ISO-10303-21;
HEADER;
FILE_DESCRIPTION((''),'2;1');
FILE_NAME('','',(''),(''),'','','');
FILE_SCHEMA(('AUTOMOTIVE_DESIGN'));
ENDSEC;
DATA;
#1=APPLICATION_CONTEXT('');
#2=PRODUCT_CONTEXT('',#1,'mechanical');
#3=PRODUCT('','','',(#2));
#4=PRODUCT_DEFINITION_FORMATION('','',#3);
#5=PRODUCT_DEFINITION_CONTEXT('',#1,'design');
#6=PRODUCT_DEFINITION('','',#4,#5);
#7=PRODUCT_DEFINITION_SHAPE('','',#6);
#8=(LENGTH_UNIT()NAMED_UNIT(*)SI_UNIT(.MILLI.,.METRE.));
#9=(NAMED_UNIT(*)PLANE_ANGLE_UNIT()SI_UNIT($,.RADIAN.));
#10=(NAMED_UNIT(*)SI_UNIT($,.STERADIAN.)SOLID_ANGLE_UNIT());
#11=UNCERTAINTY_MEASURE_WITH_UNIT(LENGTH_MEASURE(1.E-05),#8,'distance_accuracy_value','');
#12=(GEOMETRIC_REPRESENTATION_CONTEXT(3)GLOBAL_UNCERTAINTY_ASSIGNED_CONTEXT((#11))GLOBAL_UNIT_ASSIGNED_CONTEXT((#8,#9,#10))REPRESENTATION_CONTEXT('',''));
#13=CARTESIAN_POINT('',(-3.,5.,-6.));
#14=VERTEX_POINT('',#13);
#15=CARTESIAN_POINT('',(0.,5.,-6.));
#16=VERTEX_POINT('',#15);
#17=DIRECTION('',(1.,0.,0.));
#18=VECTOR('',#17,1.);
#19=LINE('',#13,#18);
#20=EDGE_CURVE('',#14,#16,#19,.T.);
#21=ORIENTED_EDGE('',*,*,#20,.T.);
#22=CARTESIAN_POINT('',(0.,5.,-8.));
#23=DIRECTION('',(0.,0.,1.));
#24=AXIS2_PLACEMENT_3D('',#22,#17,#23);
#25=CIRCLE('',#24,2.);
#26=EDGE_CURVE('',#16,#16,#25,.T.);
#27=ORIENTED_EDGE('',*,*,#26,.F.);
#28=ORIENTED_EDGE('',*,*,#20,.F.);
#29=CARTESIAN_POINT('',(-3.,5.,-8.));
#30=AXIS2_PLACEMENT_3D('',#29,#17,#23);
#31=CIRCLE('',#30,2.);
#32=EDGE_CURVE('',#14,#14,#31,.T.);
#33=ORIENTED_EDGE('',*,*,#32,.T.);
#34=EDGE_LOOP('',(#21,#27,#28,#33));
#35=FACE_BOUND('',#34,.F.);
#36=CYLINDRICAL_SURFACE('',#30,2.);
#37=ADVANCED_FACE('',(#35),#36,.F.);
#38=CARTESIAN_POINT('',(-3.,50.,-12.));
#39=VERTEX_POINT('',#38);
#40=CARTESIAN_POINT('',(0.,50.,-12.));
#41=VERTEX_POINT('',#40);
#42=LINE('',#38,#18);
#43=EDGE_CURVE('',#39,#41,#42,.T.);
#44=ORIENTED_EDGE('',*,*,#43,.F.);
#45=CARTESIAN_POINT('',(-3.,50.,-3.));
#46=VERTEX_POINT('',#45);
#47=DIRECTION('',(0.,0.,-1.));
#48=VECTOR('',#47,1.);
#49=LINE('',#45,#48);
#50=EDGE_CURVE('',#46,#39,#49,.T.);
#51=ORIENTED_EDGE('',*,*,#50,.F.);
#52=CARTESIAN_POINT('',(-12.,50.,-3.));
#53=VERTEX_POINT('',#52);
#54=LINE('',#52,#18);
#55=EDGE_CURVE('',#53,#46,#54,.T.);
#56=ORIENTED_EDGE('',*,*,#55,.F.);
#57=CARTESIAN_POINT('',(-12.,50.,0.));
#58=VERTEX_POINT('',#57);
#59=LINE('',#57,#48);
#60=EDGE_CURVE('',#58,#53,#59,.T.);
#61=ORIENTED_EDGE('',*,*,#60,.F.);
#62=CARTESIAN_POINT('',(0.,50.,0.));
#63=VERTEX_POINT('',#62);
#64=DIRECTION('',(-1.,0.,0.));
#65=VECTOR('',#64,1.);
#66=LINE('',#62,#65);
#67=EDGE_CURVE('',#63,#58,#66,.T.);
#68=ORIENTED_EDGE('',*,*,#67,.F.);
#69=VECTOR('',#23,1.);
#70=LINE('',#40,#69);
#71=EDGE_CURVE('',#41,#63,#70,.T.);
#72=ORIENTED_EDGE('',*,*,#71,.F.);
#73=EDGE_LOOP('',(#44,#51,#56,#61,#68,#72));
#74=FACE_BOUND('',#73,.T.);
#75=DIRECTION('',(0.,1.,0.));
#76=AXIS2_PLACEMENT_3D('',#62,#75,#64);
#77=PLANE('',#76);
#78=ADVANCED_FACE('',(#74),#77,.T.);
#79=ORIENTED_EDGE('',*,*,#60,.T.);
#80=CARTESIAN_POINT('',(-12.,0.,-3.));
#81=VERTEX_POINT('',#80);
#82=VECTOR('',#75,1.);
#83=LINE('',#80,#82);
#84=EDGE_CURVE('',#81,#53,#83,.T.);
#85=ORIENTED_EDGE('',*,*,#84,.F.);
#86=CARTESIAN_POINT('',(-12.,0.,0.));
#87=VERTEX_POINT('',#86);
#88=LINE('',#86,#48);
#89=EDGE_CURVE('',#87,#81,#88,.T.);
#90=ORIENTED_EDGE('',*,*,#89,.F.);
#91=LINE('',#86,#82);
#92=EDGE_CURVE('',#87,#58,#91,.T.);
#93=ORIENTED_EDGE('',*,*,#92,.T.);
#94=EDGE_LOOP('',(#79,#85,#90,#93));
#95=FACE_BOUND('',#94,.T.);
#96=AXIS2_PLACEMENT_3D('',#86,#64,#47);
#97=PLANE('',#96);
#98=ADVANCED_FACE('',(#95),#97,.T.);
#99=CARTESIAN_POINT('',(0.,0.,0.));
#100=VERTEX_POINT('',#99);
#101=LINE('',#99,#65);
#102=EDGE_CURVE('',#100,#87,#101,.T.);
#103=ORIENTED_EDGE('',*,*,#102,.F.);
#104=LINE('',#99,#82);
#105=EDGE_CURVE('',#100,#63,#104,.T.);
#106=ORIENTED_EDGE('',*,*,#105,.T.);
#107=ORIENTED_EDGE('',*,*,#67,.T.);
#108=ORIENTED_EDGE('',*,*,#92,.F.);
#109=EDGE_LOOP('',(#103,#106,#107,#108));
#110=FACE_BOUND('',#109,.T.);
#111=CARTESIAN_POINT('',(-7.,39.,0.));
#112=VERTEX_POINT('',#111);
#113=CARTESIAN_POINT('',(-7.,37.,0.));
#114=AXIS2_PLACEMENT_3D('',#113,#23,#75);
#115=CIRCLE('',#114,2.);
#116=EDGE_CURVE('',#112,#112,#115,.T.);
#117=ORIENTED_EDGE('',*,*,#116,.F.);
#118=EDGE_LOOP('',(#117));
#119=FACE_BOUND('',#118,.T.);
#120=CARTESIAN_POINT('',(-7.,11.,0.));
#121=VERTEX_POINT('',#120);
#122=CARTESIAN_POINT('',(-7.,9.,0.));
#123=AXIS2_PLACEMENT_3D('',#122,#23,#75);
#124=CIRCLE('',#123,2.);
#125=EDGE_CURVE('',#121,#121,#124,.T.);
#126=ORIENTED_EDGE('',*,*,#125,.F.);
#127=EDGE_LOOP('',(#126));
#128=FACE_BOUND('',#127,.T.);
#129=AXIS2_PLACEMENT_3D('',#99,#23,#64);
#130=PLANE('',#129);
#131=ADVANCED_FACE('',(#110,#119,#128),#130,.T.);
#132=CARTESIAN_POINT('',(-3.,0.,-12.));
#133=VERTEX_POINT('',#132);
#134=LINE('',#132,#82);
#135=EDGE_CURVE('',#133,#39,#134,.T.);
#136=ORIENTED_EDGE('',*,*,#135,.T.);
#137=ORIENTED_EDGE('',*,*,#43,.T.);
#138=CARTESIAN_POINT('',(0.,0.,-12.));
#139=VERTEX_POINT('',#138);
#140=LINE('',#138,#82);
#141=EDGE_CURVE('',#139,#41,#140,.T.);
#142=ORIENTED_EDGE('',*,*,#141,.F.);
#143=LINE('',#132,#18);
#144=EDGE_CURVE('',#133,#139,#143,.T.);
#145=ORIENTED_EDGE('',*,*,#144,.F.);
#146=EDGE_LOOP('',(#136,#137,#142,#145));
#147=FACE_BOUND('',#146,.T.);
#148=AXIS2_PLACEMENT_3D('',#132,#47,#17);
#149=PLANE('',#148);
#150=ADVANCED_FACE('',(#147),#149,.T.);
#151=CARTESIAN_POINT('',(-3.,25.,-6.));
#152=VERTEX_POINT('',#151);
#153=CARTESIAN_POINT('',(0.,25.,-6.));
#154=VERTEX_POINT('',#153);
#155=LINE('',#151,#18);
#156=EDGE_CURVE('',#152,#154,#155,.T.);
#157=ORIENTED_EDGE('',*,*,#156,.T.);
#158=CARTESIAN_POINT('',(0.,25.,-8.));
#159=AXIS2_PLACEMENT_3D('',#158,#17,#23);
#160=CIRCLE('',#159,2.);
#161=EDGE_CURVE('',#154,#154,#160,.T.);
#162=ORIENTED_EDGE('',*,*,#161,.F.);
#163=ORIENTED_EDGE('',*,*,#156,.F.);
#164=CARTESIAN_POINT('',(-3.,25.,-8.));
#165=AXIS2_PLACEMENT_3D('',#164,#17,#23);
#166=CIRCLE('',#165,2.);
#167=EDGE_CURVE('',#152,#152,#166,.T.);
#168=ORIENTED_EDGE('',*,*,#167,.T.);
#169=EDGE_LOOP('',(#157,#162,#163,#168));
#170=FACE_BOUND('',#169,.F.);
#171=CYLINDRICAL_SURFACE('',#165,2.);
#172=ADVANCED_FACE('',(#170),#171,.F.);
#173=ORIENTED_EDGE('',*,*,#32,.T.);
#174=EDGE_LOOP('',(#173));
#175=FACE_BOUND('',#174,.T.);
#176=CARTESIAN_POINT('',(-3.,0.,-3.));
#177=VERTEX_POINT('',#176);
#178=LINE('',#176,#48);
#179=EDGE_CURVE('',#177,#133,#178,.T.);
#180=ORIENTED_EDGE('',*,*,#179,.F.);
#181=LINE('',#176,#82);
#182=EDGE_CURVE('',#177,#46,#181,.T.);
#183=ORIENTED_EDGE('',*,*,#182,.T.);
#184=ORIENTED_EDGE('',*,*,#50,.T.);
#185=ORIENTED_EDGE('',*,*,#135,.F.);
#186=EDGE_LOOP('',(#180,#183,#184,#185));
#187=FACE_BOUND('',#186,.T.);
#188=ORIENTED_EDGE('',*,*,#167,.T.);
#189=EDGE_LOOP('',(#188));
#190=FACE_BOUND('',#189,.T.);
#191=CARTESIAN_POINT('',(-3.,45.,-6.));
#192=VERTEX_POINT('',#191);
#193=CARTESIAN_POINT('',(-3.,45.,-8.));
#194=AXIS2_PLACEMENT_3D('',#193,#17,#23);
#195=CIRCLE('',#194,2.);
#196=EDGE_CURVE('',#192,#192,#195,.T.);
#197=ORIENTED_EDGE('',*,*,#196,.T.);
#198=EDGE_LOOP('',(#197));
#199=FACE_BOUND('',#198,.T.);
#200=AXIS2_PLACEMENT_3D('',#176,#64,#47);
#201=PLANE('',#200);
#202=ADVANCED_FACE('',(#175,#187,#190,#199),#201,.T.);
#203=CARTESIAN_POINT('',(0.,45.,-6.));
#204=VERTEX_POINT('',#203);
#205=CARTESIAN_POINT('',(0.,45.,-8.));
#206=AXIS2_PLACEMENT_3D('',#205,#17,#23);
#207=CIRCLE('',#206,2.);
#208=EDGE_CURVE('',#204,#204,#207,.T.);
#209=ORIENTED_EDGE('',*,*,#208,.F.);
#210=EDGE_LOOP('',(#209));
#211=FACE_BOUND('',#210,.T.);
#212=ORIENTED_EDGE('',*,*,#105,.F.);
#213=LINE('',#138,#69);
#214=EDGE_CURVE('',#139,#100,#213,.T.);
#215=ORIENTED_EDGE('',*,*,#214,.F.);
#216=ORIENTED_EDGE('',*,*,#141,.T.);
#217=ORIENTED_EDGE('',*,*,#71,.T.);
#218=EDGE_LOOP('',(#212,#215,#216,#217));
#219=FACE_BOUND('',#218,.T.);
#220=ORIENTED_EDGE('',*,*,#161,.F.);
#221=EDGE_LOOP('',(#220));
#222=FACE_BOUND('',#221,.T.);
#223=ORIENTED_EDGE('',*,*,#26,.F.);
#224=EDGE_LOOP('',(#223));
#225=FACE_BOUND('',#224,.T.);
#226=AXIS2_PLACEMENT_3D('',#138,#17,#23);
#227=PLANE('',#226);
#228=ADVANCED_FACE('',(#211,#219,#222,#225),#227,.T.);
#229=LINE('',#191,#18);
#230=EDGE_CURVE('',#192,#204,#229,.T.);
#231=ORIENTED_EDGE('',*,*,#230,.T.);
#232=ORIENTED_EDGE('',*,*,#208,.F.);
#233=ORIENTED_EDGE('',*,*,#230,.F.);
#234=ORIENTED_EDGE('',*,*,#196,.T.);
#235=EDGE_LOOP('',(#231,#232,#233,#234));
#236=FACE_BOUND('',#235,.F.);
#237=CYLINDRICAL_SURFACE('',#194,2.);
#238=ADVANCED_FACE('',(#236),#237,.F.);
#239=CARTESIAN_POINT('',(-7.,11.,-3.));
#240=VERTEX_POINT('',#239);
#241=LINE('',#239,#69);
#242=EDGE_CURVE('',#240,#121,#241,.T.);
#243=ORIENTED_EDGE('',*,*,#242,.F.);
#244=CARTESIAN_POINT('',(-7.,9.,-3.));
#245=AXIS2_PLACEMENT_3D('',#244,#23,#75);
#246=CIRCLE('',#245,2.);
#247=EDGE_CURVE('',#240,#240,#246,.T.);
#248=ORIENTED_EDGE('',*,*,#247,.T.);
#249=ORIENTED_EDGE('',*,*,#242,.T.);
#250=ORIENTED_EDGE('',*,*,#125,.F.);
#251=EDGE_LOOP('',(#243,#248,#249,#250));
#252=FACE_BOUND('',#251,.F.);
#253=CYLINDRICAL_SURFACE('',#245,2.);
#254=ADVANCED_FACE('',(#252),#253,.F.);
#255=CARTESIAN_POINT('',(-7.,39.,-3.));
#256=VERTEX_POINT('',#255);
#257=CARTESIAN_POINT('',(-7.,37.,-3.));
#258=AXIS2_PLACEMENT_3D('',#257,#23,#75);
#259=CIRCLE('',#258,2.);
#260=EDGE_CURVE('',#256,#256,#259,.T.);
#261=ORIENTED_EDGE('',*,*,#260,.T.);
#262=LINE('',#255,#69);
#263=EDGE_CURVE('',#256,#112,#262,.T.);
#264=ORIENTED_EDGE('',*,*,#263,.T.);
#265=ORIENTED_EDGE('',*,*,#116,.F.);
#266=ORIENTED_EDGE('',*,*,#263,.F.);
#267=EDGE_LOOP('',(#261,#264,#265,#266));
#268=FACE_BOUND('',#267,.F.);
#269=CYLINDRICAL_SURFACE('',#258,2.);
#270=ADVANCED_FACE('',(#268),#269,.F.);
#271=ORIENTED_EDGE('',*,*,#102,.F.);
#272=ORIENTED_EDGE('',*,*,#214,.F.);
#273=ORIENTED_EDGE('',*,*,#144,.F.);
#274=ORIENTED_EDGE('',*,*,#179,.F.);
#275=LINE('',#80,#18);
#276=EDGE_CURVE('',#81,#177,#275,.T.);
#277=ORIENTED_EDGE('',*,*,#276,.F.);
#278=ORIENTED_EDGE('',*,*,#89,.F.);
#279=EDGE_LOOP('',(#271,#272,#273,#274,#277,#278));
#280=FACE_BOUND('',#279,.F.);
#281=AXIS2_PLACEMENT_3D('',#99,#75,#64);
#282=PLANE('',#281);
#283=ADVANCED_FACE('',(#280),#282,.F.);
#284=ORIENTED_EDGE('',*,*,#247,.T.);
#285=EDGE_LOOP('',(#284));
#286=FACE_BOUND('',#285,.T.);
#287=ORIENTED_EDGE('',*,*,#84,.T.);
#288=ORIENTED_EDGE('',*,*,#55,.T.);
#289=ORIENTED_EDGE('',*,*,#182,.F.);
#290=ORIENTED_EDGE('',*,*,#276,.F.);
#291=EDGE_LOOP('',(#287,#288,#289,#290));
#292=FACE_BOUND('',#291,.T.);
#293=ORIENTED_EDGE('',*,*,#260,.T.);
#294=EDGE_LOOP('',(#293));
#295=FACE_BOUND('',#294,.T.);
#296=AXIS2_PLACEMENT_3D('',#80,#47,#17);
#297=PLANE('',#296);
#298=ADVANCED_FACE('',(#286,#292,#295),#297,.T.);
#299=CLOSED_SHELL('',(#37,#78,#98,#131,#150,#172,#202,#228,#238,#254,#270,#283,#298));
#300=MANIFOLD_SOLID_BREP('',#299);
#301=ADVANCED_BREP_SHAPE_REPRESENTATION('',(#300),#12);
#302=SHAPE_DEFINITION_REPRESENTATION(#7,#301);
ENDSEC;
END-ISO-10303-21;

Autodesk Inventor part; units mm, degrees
ref_plane "YZ Plane" through (0, 0, 0) normal (1, 0, 0) x (0, 1, 0)
ref_plane "XZ Plane" through (0, 0, 0) normal (0, 1, 0) x (-1, 0, 0)
ref_plane "XY Plane" through (0, 0, 0) normal (0, 0, 1) x (1, 0, 0)
sketch "Skizze1" plane through (0, 0, 0) normal (0, 1, 0) x (-1, 0, 0)
  line L0 (0, 0) -> (12, 0)
  line L1 (12, 0) -> (12, -3)
  line L2 (12, -3) -> (3, -3)
  line L3 (3, -3) -> (3, -12)
  line L4 (3, -12) -> (0, -12)
  line L5 (0, -12) -> (0, 0)
  dimension "d0" = 12
  dimension "d1" = 3
  dimension "d2" = 12
  dimension "d3" = 3
extrude "Extrusion1" add sketch "Skizze1" along normal blind 50
sketch "Skizze2" plane through (-3, 0, -12) normal (-1, 0, 0) x (0, 0, 1)
  line L0 (0, 0) -> (0, 50) projected
  line L1 (12, 0) -> (0, 0) projected
  line L2 (0, 50) -> (9, 50) projected
  point P0 (4, 45)
  point P1 (4, 5)
  point P2 (0, 25)
  point P3 (4, 25)
  dimension "d13" = 4
  dimension "d29" = 5
  dimension "d30" = 5
  dimension "d31" = 20
hole "Bohrung1" at (-3, 45, -8) at (-3, 5, -8) at (-3, 25, -8) direction (1, 0, 0) diameter 4 end through all
sketch "Skizze3" plane through (-3, 0, -3) normal (0, 0, -1) x (-1, 0, 0)
  line L0 (0, 0) -> (9, 0) projected
  line L1 (0, 50) -> (9, 50) projected
  line L2 (9, 0) -> (9, 50) projected
  point P0 (-3, 0)
  point P1 (4, 9)
  point P2 (4, 37)
  point P3 (4.5, 0)
  point P4 (9, 25)
  dimension "d26" = 28
  dimension "d28" = 5
  dimension "d32" = 9
hole "Bohrung2" at (-7, 9, -3) at (-7, 37, -3) direction (0, 0, 1) diameter 4 end through all
properties part number "1172" material "Aluminium 6061"
